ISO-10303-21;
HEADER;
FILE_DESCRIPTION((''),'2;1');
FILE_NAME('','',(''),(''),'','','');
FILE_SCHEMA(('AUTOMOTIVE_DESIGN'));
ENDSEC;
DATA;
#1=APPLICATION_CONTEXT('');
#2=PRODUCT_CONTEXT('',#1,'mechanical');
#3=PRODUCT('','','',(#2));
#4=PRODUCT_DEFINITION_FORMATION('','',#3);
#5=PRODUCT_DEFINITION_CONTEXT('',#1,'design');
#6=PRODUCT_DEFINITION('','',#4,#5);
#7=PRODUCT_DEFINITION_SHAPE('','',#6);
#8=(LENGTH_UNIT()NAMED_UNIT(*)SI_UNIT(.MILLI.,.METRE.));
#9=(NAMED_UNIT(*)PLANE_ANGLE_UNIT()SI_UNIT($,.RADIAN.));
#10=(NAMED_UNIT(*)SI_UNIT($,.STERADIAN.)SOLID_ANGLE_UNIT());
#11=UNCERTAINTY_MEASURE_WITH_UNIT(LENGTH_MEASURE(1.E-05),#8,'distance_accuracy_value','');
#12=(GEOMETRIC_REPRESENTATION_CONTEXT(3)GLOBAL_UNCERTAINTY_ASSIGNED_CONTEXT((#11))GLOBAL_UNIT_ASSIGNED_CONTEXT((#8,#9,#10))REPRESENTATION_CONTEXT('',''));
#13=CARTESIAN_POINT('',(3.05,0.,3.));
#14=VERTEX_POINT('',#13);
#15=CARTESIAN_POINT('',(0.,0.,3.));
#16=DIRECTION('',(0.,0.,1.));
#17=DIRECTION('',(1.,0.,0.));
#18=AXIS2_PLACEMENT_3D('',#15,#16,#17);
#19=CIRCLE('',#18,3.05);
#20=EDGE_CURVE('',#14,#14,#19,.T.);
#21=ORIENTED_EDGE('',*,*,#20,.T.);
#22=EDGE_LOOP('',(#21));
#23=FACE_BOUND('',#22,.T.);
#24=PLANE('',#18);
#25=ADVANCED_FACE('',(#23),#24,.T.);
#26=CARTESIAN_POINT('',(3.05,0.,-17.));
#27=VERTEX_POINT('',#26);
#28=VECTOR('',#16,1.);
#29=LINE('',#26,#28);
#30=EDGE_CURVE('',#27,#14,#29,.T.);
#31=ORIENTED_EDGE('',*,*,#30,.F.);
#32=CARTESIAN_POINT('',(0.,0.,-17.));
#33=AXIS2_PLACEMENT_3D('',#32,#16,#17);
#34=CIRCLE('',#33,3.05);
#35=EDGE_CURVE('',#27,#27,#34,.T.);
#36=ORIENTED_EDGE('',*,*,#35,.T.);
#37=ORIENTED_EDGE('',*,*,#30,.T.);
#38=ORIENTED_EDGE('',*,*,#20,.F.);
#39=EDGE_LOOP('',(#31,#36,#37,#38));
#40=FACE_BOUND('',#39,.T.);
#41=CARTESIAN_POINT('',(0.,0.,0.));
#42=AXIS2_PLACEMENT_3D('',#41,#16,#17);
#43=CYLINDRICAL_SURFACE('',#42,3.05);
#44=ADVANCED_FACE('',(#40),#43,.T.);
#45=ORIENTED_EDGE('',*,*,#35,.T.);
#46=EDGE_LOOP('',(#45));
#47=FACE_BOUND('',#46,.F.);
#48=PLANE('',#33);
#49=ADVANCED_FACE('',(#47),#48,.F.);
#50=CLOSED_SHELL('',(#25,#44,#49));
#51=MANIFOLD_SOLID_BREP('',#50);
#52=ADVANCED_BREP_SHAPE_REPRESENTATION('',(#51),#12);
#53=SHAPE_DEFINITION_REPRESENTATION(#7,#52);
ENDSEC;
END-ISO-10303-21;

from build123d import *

# Parameters (mm, degrees)
SKETCH1_R                = 3.05
BOSS_EXTRUDE1_DEPTH      = 3
BOSS_EXTRUDE1_DEPTH_BACK = 17


with BuildPart() as part:
    # Sketch1 → Boss-Extrude1 (new body, two sides)
    with BuildSketch(Plane.XY) as boss_extrude1_sk:
        Circle(SKETCH1_R)
    extrude(amount=BOSS_EXTRUDE1_DEPTH)
    extrude(boss_extrude1_sk.sketch, amount=-BOSS_EXTRUDE1_DEPTH_BACK)


solid = part.part
